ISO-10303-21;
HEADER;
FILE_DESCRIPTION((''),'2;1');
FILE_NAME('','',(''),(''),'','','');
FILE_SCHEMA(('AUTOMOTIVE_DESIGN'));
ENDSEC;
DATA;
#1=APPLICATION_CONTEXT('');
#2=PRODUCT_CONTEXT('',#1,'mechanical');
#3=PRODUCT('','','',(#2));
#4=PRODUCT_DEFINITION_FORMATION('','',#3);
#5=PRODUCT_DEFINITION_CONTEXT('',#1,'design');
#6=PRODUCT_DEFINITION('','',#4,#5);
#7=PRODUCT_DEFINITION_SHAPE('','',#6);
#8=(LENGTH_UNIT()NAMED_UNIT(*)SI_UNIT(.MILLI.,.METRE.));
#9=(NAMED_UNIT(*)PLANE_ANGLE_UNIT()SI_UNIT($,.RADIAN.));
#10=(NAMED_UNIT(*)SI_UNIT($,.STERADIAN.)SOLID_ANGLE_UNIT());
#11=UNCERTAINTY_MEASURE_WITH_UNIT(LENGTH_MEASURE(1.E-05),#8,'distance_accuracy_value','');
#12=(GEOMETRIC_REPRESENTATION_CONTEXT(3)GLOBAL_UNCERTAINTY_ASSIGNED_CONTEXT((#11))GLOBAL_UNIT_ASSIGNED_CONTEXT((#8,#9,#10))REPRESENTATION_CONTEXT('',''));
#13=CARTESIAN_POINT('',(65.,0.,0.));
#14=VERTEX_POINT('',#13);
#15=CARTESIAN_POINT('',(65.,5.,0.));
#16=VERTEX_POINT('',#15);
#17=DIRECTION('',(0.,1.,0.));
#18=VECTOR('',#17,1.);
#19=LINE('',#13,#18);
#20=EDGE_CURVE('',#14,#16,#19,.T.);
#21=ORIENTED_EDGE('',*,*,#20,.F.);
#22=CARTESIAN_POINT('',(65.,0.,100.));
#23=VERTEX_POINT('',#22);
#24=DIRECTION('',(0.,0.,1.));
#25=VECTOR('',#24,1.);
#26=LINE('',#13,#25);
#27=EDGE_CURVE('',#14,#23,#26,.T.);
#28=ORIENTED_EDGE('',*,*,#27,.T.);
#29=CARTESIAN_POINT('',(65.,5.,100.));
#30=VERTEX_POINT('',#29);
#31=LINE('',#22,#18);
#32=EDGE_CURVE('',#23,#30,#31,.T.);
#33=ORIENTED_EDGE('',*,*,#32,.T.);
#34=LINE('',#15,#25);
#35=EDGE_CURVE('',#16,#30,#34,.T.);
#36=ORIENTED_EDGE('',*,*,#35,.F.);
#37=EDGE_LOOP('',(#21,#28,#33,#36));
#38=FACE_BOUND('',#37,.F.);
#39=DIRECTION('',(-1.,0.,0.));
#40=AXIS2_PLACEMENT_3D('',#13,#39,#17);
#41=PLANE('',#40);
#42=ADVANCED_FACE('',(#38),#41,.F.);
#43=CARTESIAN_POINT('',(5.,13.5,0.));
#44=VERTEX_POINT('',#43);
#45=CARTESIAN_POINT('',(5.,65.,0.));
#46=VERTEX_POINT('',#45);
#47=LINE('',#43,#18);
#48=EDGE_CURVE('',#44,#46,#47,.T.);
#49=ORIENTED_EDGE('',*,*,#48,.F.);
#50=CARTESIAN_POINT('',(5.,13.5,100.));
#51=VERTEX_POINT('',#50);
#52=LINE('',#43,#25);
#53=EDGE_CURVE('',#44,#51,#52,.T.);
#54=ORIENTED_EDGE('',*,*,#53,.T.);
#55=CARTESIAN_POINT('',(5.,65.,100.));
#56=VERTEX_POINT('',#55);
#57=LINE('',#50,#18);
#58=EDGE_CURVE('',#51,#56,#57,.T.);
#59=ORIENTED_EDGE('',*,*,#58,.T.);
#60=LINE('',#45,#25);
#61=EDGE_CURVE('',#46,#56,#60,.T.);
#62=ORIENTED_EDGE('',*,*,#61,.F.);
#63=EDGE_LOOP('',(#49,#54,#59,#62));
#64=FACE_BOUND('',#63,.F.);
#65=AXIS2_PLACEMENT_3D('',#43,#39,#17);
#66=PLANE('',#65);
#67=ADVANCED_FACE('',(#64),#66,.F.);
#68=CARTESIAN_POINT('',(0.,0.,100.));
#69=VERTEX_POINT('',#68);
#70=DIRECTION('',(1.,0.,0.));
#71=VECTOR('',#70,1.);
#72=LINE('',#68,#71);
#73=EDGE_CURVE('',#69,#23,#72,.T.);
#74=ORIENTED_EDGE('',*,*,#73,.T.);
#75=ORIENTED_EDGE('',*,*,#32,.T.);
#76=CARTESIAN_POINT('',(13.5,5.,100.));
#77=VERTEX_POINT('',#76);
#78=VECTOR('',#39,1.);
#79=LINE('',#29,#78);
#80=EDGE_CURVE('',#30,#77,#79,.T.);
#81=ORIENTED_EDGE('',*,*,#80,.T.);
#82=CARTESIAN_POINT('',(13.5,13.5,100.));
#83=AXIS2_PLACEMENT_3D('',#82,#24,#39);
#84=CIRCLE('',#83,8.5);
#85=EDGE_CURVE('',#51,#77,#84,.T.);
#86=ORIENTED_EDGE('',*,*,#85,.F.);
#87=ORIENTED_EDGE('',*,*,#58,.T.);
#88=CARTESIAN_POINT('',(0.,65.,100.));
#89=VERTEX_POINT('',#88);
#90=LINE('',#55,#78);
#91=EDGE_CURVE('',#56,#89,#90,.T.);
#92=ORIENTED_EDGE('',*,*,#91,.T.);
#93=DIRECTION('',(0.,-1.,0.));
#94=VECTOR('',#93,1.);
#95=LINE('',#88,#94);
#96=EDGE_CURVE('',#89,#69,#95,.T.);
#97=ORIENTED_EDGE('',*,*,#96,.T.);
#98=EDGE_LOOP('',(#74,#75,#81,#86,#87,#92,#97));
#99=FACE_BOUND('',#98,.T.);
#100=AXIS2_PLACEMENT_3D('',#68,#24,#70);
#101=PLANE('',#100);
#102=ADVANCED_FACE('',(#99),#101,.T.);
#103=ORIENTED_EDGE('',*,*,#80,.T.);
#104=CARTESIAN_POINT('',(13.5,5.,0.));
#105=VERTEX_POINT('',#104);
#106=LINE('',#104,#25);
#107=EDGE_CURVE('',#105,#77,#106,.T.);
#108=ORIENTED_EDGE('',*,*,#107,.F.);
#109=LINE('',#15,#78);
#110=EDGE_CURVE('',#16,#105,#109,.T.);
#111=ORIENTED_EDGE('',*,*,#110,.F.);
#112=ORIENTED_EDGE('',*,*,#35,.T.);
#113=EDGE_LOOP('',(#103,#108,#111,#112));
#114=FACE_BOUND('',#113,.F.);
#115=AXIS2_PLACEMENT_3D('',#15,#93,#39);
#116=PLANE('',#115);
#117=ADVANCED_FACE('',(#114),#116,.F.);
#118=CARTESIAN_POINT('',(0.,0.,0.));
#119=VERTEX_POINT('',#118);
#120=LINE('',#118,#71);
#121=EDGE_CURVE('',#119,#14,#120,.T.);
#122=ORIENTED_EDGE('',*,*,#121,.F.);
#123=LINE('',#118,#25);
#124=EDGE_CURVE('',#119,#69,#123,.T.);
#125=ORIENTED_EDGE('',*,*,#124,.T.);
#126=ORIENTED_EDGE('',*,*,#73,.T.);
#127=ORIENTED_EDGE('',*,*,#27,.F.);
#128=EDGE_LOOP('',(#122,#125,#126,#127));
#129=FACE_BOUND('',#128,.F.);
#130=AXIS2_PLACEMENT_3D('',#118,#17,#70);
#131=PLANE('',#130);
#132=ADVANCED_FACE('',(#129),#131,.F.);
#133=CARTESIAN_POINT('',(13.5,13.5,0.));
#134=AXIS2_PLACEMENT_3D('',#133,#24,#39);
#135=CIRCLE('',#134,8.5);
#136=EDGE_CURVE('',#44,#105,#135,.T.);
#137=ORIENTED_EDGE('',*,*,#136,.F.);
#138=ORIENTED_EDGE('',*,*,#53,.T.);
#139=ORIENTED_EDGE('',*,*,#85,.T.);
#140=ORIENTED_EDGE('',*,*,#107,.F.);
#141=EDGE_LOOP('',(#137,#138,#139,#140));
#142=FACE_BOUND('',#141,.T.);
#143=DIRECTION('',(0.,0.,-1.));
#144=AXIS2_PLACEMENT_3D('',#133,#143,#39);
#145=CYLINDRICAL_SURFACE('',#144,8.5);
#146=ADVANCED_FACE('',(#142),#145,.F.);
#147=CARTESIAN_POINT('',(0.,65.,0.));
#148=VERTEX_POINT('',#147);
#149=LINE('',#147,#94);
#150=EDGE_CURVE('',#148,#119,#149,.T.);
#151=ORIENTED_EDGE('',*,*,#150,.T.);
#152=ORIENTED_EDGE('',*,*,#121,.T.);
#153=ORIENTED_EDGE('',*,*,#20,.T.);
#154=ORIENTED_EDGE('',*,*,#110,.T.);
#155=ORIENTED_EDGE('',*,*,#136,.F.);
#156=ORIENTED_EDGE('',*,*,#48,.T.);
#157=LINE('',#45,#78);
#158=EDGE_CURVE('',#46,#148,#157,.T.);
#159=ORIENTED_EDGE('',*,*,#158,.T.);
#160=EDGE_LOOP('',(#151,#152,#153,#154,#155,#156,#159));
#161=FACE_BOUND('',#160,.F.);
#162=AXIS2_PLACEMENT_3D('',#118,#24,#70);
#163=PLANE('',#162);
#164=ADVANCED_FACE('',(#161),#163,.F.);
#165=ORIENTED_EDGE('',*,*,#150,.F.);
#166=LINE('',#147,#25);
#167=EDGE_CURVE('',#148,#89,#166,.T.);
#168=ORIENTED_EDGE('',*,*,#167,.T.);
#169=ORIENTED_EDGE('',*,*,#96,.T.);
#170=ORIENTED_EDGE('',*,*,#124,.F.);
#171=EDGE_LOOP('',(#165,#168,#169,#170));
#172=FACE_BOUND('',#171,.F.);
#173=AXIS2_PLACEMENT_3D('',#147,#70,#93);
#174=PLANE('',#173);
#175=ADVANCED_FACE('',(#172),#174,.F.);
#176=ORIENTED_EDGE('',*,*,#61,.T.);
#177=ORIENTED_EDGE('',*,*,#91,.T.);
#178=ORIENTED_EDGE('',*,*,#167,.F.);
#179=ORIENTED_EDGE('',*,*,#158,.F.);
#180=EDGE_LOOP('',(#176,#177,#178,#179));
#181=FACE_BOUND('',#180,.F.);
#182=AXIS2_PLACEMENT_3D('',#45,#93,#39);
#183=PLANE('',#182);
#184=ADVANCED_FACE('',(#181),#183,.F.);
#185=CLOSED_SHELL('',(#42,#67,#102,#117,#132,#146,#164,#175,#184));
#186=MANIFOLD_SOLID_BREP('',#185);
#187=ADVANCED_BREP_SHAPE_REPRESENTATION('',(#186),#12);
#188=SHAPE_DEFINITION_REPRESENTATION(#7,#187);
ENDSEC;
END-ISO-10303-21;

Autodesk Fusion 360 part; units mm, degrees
sketch "スケッチ1" plane through (0, 0, 0) normal (0, 0, 1) x (1, 0, 0)
  line L0 (0, 65) -> (0, 0)
  line L1 (5, 13.5) -> (5, 65)
  line L2 (65, 5) -> (13.5, 5)
  line L3 (0, 0) -> (65, 0)
  arc A0 (5, 13.5) -> (13.5, 5) centre (13.5, 13.5) ccw
  line L4 (65, 0) -> (65, 5)
  line L5 (5, 65) -> (0, 65)
extrude "押し出し1" add sketch "スケッチ1" along normal blind 100
